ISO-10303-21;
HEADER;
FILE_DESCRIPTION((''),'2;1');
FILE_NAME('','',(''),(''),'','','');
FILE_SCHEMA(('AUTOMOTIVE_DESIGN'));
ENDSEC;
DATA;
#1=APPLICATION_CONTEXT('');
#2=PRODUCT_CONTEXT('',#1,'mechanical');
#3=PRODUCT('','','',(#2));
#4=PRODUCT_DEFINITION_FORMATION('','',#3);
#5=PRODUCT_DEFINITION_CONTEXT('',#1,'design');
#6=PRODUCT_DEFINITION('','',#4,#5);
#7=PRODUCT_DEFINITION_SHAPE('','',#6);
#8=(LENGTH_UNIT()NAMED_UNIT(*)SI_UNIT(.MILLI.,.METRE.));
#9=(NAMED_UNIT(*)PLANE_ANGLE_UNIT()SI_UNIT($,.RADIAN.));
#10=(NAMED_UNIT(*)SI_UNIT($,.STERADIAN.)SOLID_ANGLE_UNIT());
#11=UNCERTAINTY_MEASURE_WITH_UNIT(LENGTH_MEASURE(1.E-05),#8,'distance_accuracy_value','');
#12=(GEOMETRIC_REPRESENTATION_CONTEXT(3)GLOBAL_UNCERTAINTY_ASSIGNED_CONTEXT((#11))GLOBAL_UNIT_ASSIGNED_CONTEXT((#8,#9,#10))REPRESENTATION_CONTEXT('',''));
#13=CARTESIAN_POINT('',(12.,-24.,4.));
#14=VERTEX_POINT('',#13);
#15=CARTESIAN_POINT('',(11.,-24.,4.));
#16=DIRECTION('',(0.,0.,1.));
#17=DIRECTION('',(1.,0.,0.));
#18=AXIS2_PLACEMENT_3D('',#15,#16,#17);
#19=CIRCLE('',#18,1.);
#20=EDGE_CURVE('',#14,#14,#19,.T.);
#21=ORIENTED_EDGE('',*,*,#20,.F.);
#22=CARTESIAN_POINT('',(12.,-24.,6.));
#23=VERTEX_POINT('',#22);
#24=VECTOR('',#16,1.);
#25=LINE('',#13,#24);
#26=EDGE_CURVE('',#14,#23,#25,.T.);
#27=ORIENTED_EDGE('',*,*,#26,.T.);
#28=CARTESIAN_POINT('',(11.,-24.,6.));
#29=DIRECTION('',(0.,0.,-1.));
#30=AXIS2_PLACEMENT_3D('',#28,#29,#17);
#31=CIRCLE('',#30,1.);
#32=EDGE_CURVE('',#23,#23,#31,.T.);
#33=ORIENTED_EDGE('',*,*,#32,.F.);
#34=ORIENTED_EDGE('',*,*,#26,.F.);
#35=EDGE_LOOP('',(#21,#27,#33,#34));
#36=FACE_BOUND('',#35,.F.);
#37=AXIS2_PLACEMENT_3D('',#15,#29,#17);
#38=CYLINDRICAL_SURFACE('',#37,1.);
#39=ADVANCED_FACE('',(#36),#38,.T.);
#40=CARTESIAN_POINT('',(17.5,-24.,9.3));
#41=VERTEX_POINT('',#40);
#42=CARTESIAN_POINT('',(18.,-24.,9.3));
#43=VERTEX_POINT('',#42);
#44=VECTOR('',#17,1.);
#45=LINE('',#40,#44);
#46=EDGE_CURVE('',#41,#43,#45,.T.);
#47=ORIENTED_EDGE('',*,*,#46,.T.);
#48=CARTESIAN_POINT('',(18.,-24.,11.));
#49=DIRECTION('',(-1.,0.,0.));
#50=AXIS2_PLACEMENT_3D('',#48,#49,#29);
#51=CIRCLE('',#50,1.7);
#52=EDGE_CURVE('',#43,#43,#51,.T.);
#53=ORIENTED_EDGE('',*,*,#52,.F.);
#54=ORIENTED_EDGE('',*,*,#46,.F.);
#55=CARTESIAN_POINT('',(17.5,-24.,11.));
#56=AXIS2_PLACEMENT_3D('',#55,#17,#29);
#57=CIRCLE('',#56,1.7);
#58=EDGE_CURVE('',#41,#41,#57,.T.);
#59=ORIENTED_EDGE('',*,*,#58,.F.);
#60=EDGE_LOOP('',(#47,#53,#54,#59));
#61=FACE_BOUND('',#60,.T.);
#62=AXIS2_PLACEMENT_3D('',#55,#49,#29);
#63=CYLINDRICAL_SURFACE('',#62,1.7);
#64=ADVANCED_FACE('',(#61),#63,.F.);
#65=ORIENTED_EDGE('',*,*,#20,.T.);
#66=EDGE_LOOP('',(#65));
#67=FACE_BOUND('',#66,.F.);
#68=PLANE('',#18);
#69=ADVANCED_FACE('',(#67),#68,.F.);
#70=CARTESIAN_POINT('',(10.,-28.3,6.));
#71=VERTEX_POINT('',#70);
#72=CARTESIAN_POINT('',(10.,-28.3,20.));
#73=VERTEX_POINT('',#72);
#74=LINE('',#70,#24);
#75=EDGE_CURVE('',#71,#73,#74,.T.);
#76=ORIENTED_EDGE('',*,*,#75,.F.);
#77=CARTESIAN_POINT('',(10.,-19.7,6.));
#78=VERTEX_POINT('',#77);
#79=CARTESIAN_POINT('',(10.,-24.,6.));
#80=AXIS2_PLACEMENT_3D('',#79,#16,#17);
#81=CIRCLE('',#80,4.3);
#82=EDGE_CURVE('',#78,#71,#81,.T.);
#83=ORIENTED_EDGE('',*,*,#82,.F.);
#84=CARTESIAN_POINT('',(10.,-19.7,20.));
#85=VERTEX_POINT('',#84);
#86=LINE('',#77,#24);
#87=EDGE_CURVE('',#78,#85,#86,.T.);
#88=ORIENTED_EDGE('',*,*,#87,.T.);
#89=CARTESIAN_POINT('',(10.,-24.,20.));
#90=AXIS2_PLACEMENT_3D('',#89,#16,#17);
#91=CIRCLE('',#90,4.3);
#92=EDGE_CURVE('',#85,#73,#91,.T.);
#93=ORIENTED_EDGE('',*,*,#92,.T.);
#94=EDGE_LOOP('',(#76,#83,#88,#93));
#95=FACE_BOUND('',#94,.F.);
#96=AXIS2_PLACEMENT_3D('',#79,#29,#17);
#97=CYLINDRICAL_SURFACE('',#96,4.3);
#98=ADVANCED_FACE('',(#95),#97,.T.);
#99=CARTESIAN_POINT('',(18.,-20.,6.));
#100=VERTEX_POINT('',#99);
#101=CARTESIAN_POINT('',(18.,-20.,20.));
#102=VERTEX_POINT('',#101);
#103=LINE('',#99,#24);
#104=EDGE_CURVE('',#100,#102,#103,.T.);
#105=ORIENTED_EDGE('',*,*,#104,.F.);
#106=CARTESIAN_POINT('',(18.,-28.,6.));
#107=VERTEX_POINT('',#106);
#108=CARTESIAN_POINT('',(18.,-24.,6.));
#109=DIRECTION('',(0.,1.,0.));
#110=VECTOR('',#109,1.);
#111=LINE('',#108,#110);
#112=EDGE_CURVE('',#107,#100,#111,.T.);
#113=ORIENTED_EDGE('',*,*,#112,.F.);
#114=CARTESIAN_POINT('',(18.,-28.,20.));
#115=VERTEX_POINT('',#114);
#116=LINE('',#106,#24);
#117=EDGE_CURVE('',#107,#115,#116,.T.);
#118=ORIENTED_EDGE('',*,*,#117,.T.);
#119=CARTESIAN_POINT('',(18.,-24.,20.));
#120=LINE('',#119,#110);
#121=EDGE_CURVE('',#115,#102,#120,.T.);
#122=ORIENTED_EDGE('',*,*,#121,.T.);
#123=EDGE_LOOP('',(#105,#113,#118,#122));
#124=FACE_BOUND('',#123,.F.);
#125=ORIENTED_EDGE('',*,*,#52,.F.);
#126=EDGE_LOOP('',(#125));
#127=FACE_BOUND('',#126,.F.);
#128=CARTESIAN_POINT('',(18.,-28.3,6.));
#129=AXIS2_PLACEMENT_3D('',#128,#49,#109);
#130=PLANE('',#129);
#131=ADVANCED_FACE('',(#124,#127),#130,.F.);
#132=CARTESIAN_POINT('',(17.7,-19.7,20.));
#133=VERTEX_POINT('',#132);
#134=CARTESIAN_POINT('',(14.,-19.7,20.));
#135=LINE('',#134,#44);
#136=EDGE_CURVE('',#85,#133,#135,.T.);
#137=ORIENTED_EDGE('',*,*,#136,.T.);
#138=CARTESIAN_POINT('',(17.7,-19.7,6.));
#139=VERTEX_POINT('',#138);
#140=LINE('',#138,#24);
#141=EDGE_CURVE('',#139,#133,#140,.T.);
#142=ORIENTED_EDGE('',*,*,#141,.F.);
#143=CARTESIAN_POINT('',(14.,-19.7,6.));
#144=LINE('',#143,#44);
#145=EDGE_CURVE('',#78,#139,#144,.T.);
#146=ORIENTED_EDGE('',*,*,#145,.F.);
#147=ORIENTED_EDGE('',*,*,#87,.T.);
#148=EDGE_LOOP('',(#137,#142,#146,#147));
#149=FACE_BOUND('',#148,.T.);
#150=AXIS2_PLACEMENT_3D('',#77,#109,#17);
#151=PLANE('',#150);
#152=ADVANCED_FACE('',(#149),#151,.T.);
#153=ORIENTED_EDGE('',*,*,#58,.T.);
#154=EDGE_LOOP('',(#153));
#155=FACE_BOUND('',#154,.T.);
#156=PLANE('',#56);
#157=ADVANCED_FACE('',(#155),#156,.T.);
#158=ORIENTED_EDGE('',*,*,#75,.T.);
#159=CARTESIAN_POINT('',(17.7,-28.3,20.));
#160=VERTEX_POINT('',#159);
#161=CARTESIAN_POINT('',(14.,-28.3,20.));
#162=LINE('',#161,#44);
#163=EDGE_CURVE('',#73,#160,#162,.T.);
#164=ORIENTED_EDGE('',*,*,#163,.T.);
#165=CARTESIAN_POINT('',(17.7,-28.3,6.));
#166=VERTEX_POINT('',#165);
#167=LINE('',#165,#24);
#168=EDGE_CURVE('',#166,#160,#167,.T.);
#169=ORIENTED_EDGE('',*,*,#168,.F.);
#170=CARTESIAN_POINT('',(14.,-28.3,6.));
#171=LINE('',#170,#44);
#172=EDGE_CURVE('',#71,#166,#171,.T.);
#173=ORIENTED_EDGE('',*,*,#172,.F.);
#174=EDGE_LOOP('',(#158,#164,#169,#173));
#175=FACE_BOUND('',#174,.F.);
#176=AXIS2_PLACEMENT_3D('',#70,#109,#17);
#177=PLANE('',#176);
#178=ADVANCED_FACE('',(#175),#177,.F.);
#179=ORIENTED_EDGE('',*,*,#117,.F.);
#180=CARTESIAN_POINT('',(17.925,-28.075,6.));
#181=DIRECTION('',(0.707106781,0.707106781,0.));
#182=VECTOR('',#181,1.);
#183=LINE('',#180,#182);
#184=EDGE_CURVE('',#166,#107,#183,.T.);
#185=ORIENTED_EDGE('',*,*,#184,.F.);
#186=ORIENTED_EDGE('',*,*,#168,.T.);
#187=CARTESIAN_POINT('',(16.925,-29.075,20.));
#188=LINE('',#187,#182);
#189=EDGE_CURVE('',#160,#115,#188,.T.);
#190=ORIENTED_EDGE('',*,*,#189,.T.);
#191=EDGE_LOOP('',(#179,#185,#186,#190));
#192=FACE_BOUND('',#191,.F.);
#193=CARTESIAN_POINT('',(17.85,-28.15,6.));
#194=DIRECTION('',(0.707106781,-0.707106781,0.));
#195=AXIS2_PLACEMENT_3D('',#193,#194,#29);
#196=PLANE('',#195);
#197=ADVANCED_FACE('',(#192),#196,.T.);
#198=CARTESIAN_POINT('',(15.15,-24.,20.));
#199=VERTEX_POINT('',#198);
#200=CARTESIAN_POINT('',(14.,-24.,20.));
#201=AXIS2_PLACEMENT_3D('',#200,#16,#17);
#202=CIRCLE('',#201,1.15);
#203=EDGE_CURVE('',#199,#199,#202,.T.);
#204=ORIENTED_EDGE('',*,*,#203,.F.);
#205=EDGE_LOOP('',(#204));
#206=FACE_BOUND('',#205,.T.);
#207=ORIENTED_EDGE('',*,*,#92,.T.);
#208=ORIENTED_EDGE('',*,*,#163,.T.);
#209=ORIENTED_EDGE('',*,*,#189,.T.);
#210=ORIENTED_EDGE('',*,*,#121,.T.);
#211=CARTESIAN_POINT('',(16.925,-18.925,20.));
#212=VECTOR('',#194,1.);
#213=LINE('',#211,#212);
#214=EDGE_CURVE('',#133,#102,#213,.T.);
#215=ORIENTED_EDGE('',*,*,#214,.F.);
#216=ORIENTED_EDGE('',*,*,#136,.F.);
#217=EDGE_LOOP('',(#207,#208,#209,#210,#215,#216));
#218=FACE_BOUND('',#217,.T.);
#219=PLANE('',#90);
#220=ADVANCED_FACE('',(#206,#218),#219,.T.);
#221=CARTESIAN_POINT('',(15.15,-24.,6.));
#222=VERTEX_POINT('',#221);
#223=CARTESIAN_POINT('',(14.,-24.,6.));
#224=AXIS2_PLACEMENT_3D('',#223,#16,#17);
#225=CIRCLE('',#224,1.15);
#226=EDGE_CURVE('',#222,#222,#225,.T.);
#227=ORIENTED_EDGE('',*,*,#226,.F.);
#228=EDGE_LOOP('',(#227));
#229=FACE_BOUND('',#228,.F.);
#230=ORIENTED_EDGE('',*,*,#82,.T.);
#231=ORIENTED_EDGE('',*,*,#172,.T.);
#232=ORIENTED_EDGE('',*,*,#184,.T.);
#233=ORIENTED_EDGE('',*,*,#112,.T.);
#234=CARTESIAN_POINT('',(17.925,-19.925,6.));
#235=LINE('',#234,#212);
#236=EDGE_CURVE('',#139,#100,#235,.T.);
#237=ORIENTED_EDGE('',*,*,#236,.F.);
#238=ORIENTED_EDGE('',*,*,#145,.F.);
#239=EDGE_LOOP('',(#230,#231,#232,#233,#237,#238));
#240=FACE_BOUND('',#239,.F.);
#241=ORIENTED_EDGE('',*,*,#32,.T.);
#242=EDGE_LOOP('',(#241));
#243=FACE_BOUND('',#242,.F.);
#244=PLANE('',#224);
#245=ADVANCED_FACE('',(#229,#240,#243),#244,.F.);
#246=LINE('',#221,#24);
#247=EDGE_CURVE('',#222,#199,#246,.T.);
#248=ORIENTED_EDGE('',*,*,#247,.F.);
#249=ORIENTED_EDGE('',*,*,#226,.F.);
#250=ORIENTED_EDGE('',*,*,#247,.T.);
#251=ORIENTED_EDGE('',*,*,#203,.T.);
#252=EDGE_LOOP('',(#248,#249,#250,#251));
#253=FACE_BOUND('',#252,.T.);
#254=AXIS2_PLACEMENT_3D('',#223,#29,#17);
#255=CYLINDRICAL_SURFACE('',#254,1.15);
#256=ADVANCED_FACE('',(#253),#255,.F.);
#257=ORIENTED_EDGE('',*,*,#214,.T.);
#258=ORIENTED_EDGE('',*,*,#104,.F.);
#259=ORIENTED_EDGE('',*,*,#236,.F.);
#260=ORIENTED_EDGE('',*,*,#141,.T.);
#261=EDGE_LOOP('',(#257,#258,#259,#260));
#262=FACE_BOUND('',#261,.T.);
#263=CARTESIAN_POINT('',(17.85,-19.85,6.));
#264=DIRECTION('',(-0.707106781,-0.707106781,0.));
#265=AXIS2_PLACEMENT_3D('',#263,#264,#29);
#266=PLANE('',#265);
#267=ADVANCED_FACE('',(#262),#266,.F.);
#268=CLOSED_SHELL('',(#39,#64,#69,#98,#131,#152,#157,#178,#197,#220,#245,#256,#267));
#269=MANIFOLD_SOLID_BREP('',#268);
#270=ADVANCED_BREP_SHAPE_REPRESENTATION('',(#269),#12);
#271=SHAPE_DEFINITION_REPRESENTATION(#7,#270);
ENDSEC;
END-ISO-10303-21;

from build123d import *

# Parameters (mm, degrees)
CYLINDER112024025003003006010004028_R     = 1.7
CYLINDER112024025003003006010004028_DEPTH = 14
CYLINDER112024025003003006010004021_R     = 1.15
CYLINDER112024025003003006010004021_DEPTH = 14
CYLINDER112024025003003006010004027_R     = 4.3
CYLINDER112024025003003006010004027_DEPTH = 14
CYLINDER112024025003003006010004043_R     = 1
CYLINDER112024025003003006010004043_DEPTH = 14
BOX021079_W                               = 8
BOX021079_H                               = 8.6
BOX021079_DEPTH                           = 14
CHAMFER008_SIZE                           = 0.3


with BuildPart() as v_lec199:
    # Cylinder112024025003003006010004028 → Cylinder112024025003003006010004028 (new body)
    with BuildSketch(Plane(origin=(17.5, -24, 11), x_dir=(0, 0, -1), z_dir=(1, 0, 0))):
        Circle(CYLINDER112024025003003006010004028_R)
    extrude(amount=CYLINDER112024025003003006010004028_DEPTH)


with BuildPart() as fusion005043005007002015:
    # Cylinder112024025003003006010004021 → Cylinder112024025003003006010004021 (new body)
    with BuildSketch(Plane(origin=(14, -24, 6), x_dir=(1, 0, 0), z_dir=(0, 0, 1))):
        Circle(CYLINDER112024025003003006010004021_R)
    extrude(amount=CYLINDER112024025003003006010004021_DEPTH)

    # Fusion005043005007002015: union Válec199
    add(v_lec199.part)


with BuildPart() as v_lec198:
    # Cylinder112024025003003006010004027 → Cylinder112024025003003006010004027 (new body)
    with BuildSketch(Plane(origin=(10, -24, 6), x_dir=(1, 0, 0), z_dir=(0, 0, 1))):
        Circle(CYLINDER112024025003003006010004027_R)
    extrude(amount=CYLINDER112024025003003006010004027_DEPTH)


with BuildPart() as v_lec214:
    # Cylinder112024025003003006010004043 → Cylinder112024025003003006010004043 (new body)
    with BuildSketch(Plane(origin=(11, -24, 4), x_dir=(1, 0, 0), z_dir=(0, 0, 1))):
        Circle(CYLINDER112024025003003006010004043_R)
    extrude(amount=CYLINDER112024025003003006010004043_DEPTH)


with BuildPart() as tensioner:
    # Box021079 → Box021079 (new body)
    with BuildSketch(Plane(origin=(10, -28.3, 6), x_dir=(1, 0, 0), z_dir=(0, 0, 1))):
        with Locations((4, 4.3)):
            Rectangle(BOX021079_W, BOX021079_H)
    extrude(amount=BOX021079_DEPTH)

    # Fusion005043005007002014: union Válec198, Válec214
    add(v_lec198.part)
    add(v_lec214.part)

    # Cut018020020009027020002003004004013: cut Fusion005043005007002015
    add(fusion005043005007002015.part, mode=Mode.SUBTRACT)

    # Chamfer008
    chamfer008_edges = [tensioner.edges().sort_by_distance(p)[0] for p in [
        (18, -28.3, 13),
        (18, -19.7, 13),
    ]]
    chamfer(chamfer008_edges, length=CHAMFER008_SIZE)


solid = tensioner.part
